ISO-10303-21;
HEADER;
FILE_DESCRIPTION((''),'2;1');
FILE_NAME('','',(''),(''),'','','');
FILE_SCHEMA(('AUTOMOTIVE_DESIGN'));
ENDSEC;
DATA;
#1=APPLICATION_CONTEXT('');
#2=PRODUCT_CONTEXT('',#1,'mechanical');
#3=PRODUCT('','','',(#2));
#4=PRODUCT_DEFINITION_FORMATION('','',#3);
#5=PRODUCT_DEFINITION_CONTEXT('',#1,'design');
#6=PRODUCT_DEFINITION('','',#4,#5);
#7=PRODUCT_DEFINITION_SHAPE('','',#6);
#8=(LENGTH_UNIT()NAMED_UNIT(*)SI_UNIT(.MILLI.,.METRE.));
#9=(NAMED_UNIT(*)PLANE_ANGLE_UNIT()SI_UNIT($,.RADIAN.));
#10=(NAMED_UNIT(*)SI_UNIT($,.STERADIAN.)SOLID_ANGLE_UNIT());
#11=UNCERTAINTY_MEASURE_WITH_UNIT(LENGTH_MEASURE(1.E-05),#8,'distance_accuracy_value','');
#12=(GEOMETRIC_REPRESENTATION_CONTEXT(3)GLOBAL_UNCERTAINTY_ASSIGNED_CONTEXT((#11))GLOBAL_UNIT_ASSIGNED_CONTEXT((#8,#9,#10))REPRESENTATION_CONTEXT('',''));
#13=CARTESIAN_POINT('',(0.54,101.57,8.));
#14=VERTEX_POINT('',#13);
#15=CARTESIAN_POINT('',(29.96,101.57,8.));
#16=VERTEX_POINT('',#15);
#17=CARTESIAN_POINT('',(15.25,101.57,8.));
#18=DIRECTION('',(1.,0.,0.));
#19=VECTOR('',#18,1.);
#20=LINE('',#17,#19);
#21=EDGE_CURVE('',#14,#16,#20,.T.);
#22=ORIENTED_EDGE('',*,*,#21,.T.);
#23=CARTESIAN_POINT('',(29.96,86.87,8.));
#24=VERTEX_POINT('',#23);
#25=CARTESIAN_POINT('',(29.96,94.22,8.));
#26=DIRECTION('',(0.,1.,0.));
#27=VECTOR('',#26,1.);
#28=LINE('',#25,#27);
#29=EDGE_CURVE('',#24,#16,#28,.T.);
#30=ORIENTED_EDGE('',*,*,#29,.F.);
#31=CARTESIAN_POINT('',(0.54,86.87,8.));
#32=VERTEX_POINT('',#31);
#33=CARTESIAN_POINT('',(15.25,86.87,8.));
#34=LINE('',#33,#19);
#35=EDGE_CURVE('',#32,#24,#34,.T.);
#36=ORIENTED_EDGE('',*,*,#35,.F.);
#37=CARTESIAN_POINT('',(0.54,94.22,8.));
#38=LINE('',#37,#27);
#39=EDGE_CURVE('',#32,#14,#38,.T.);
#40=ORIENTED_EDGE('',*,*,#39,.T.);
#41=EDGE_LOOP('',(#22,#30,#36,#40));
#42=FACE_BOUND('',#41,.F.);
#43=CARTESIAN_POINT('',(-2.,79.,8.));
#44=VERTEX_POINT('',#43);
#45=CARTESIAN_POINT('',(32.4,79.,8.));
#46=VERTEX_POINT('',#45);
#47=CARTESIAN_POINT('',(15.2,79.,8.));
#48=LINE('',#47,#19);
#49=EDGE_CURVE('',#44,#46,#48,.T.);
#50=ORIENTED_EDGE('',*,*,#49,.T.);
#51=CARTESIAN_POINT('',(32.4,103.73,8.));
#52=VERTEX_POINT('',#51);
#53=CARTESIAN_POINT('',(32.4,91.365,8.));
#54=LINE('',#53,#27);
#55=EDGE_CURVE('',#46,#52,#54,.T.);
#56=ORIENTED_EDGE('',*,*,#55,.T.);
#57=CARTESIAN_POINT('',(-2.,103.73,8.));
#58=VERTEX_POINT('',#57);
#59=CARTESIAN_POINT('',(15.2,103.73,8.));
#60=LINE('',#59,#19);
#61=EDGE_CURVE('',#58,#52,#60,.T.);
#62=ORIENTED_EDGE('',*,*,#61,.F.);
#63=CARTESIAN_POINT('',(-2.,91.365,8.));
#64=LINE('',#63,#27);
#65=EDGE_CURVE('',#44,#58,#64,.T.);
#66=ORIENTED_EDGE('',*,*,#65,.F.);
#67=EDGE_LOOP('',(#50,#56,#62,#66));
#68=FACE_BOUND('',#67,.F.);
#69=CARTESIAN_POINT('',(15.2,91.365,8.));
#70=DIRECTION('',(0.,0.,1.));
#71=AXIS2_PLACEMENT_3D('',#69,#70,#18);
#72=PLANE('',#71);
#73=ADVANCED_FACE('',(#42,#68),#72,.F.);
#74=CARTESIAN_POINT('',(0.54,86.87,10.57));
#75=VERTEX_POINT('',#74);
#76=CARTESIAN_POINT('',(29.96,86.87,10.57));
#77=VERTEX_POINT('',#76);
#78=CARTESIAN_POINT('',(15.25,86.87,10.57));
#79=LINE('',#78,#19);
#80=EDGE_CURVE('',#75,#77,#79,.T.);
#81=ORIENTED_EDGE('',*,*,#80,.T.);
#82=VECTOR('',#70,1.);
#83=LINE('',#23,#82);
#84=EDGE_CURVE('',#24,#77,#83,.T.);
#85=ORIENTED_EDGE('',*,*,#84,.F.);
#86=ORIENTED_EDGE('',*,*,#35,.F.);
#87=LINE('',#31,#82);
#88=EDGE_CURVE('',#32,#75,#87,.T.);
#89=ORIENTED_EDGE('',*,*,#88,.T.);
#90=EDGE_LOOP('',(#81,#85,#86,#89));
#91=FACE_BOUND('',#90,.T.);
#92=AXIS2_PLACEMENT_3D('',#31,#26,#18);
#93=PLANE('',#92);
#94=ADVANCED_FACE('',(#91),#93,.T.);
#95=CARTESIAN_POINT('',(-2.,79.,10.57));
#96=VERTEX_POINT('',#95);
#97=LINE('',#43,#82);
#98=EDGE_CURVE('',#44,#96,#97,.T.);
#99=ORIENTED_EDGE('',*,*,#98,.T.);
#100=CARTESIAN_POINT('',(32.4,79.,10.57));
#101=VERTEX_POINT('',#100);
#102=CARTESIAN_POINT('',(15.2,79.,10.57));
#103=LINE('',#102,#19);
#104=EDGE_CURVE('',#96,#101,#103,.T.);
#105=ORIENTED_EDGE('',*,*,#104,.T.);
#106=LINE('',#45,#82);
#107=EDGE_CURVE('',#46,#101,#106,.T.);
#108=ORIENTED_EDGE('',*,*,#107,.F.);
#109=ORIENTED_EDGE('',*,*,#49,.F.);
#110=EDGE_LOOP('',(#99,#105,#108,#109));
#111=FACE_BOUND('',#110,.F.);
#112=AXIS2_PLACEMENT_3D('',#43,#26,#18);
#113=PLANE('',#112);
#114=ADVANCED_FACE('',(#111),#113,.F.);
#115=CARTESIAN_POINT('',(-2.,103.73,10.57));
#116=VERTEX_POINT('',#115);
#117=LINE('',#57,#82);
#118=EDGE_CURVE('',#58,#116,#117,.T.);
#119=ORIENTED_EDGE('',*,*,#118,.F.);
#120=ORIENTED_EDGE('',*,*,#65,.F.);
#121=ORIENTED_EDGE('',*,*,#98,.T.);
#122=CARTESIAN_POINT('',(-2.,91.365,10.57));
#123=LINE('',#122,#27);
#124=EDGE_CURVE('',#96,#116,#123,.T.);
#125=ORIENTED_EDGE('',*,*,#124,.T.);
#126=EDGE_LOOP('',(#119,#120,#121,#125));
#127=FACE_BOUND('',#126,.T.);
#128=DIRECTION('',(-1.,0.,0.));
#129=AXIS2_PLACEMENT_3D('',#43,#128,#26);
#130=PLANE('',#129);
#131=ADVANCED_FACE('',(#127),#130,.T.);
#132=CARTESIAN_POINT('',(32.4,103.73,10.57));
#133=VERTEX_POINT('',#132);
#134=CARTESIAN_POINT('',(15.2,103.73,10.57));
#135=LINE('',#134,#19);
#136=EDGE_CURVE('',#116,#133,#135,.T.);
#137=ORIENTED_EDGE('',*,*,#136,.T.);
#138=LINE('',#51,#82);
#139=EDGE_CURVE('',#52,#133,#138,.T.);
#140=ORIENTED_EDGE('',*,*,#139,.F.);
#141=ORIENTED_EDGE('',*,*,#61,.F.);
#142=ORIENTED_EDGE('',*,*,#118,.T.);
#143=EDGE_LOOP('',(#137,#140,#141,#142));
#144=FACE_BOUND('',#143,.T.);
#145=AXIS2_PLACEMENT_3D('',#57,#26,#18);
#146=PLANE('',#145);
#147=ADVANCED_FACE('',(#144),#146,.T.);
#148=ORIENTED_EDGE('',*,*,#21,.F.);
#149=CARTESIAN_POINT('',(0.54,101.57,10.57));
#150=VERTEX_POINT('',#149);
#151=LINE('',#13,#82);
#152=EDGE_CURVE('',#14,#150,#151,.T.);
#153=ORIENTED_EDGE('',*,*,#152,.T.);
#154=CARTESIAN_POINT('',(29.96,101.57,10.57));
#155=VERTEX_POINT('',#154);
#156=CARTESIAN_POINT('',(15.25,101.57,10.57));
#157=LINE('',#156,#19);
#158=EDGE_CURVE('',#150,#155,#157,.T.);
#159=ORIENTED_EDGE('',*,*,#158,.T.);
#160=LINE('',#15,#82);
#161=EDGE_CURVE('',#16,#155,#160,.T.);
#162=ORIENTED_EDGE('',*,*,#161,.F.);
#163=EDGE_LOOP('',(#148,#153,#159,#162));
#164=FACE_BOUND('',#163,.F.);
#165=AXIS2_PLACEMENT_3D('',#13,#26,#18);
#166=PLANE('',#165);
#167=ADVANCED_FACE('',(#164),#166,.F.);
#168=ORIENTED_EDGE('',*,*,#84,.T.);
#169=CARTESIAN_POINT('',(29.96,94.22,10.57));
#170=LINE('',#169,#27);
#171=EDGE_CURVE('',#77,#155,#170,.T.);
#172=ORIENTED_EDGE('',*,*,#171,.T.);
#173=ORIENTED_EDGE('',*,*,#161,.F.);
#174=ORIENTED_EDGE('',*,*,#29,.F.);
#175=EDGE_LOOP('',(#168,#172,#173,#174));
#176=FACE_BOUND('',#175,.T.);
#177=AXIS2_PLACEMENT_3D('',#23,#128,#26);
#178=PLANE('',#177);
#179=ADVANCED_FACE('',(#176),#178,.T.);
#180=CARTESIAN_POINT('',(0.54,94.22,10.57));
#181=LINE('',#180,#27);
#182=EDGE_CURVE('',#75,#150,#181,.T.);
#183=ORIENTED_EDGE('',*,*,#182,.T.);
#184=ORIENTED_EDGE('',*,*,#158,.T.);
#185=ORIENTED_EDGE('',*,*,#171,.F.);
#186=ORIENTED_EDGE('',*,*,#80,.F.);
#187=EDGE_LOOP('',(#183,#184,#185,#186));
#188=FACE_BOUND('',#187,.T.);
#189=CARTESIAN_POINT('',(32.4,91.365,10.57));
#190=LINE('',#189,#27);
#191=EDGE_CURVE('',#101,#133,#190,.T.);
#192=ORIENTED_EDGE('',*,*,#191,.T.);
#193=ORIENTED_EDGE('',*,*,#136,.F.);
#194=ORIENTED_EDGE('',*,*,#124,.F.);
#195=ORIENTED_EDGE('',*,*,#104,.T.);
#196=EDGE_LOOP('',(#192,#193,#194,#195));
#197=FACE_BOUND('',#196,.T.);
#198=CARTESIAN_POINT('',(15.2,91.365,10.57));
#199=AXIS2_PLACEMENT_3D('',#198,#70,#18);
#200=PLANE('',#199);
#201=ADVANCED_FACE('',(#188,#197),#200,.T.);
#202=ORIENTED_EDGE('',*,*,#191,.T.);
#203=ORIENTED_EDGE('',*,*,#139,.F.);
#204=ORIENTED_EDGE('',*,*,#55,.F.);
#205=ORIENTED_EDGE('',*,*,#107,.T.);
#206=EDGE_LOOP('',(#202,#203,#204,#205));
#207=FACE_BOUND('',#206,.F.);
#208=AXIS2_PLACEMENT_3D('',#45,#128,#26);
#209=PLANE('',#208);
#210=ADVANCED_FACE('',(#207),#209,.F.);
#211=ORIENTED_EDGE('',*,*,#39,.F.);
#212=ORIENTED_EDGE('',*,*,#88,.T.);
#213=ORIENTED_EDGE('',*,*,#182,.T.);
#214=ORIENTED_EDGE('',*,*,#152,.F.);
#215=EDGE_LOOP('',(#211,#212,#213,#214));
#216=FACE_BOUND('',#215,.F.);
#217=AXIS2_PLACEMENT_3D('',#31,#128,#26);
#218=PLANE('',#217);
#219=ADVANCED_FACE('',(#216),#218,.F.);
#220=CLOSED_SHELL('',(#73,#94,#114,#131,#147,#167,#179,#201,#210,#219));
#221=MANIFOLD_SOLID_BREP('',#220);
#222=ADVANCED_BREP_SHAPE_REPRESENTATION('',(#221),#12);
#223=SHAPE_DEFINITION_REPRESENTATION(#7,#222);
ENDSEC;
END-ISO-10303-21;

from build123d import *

# Parameters (mm, degrees)
BOX011_W     = 29.42
BOX011_H     = 14.7
BOX011_DEPTH = 2.57
BOX010_W     = 34.4
BOX010_H     = 24.73
BOX010_DEPTH = 2.57


with BuildPart() as cube011:
    # Box011 → Box011 (new body)
    with BuildSketch(Plane(origin=(0.54, 86.87, 8), x_dir=(1, 0, 0), z_dir=(0, 0, 1))):
        with Locations((14.71, 7.35)):
            Rectangle(BOX011_W, BOX011_H)
    extrude(amount=BOX011_DEPTH)


with BuildPart() as cut011:
    # Box010 → Box010 (new body)
    with BuildSketch(Plane(origin=(-2, 79, 8), x_dir=(1, 0, 0), z_dir=(0, 0, 1))):
        with Locations((17.2, 12.365)):
            Rectangle(BOX010_W, BOX010_H)
    extrude(amount=BOX010_DEPTH)

    # Cut011: cut Cube011
    add(cube011.part, mode=Mode.SUBTRACT)


solid = cut011.part
